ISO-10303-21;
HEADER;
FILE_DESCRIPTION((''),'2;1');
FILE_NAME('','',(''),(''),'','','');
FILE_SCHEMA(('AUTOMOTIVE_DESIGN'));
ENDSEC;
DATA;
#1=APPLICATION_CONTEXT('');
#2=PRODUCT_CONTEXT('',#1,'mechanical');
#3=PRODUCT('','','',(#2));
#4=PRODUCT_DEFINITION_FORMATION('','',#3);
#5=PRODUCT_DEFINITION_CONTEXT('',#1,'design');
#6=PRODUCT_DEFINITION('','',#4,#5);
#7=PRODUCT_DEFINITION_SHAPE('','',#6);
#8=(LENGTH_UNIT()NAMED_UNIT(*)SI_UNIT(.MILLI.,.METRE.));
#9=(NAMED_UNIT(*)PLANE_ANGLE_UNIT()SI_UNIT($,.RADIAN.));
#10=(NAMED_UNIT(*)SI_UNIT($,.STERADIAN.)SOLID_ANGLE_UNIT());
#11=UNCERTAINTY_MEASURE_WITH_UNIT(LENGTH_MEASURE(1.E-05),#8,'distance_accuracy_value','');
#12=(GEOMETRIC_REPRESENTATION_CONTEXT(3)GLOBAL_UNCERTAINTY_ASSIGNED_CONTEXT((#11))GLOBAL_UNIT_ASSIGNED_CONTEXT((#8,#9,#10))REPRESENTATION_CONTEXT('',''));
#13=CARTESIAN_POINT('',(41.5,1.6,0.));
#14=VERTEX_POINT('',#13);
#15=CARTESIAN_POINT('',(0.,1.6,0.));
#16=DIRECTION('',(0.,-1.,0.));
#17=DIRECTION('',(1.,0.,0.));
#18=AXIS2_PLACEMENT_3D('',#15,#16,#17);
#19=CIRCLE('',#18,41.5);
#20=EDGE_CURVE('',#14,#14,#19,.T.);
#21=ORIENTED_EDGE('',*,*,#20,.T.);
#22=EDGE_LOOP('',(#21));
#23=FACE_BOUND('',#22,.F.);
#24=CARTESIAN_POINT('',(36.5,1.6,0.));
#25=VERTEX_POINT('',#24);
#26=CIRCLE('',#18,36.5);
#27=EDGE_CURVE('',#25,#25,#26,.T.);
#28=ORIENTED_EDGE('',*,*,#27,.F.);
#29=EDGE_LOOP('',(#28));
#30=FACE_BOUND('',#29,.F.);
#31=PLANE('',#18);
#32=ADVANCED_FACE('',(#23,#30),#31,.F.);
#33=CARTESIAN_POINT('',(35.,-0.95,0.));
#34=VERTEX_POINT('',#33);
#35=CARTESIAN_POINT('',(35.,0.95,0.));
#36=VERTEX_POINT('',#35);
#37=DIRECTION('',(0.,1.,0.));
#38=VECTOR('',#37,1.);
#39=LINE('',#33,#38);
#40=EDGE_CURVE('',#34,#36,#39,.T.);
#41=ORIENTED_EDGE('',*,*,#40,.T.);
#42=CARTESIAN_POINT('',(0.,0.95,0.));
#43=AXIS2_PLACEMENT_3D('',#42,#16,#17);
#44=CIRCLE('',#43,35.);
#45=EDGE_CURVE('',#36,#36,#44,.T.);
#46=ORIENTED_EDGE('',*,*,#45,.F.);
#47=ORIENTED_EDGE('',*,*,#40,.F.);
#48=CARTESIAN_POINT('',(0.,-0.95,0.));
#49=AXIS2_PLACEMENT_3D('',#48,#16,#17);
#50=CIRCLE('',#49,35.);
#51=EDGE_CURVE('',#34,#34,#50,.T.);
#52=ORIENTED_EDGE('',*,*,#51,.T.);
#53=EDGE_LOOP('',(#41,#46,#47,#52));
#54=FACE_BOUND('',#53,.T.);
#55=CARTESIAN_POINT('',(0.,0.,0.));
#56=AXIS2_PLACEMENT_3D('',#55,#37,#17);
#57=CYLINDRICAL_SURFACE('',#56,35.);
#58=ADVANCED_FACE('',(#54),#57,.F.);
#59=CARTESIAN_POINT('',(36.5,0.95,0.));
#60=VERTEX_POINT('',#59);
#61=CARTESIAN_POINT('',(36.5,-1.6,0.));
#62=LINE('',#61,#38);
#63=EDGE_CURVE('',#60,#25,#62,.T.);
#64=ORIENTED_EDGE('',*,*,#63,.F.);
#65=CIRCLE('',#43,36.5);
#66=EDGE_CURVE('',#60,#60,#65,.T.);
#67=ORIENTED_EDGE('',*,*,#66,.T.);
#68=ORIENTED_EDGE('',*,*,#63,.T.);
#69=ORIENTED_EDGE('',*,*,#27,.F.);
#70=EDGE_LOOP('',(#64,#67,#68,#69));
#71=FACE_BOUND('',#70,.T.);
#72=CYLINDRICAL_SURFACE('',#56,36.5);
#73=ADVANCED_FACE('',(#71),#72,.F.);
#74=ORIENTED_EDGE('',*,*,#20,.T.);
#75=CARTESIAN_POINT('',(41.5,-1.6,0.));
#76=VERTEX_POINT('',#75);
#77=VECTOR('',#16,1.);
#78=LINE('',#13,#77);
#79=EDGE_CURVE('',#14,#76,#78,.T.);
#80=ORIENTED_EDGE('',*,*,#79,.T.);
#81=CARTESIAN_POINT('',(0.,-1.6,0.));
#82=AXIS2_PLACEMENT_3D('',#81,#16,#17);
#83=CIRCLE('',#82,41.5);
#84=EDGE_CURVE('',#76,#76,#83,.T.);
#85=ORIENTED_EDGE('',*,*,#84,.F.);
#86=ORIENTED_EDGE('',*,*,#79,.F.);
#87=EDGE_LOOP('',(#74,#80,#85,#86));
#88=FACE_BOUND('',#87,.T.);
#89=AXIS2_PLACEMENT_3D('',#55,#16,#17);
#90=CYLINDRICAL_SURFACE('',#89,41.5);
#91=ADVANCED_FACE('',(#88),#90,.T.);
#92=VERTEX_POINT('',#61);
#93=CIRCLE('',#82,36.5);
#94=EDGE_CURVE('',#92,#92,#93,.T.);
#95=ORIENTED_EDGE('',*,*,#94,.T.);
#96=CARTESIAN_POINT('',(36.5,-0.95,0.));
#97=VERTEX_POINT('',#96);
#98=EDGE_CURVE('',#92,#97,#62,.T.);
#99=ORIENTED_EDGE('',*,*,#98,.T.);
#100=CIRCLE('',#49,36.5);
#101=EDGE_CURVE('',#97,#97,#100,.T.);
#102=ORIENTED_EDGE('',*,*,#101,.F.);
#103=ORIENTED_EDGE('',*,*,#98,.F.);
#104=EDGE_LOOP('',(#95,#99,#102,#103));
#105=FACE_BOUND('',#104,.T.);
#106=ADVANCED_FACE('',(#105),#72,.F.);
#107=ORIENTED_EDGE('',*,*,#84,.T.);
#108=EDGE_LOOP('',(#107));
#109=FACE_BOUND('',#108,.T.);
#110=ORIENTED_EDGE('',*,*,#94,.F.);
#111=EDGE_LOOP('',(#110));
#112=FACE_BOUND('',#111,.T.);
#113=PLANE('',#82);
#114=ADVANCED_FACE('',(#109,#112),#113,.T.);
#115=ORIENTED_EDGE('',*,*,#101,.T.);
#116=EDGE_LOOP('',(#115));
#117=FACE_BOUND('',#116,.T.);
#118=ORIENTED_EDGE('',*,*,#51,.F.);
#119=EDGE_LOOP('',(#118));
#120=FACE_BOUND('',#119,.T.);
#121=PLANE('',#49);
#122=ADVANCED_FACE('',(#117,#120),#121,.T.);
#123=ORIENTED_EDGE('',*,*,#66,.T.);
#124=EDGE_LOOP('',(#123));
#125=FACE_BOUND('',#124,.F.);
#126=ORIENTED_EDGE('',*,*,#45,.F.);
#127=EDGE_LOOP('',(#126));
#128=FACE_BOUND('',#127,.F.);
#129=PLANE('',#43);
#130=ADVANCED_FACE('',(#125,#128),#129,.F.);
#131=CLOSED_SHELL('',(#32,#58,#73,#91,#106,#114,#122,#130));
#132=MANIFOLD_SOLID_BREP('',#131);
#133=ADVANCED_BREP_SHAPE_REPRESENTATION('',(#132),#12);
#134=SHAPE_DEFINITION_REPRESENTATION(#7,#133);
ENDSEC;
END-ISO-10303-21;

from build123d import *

# Parameters (mm, degrees)
F0_R     = 41.5
F0_R_2   = 36.5
F1_DEPTH = 1.6
F2_R     = 36.5
F2_R_2   = 35
F3_DEPTH = 0.95


with BuildPart() as f1:
    # F0 (on Front) → F1 (new body, symmetric)
    with BuildSketch(Plane.XZ):
        Circle(F0_R)
        Circle(F0_R_2, mode=Mode.SUBTRACT)
    extrude(amount=F1_DEPTH, both=True)

    # F2 (on Front) → F3 (join, symmetric)
    with BuildSketch(Plane.XZ):
        Circle(F2_R)
        Circle(F2_R_2, mode=Mode.SUBTRACT)
    extrude(amount=F3_DEPTH, both=True)


solid = f1.part
